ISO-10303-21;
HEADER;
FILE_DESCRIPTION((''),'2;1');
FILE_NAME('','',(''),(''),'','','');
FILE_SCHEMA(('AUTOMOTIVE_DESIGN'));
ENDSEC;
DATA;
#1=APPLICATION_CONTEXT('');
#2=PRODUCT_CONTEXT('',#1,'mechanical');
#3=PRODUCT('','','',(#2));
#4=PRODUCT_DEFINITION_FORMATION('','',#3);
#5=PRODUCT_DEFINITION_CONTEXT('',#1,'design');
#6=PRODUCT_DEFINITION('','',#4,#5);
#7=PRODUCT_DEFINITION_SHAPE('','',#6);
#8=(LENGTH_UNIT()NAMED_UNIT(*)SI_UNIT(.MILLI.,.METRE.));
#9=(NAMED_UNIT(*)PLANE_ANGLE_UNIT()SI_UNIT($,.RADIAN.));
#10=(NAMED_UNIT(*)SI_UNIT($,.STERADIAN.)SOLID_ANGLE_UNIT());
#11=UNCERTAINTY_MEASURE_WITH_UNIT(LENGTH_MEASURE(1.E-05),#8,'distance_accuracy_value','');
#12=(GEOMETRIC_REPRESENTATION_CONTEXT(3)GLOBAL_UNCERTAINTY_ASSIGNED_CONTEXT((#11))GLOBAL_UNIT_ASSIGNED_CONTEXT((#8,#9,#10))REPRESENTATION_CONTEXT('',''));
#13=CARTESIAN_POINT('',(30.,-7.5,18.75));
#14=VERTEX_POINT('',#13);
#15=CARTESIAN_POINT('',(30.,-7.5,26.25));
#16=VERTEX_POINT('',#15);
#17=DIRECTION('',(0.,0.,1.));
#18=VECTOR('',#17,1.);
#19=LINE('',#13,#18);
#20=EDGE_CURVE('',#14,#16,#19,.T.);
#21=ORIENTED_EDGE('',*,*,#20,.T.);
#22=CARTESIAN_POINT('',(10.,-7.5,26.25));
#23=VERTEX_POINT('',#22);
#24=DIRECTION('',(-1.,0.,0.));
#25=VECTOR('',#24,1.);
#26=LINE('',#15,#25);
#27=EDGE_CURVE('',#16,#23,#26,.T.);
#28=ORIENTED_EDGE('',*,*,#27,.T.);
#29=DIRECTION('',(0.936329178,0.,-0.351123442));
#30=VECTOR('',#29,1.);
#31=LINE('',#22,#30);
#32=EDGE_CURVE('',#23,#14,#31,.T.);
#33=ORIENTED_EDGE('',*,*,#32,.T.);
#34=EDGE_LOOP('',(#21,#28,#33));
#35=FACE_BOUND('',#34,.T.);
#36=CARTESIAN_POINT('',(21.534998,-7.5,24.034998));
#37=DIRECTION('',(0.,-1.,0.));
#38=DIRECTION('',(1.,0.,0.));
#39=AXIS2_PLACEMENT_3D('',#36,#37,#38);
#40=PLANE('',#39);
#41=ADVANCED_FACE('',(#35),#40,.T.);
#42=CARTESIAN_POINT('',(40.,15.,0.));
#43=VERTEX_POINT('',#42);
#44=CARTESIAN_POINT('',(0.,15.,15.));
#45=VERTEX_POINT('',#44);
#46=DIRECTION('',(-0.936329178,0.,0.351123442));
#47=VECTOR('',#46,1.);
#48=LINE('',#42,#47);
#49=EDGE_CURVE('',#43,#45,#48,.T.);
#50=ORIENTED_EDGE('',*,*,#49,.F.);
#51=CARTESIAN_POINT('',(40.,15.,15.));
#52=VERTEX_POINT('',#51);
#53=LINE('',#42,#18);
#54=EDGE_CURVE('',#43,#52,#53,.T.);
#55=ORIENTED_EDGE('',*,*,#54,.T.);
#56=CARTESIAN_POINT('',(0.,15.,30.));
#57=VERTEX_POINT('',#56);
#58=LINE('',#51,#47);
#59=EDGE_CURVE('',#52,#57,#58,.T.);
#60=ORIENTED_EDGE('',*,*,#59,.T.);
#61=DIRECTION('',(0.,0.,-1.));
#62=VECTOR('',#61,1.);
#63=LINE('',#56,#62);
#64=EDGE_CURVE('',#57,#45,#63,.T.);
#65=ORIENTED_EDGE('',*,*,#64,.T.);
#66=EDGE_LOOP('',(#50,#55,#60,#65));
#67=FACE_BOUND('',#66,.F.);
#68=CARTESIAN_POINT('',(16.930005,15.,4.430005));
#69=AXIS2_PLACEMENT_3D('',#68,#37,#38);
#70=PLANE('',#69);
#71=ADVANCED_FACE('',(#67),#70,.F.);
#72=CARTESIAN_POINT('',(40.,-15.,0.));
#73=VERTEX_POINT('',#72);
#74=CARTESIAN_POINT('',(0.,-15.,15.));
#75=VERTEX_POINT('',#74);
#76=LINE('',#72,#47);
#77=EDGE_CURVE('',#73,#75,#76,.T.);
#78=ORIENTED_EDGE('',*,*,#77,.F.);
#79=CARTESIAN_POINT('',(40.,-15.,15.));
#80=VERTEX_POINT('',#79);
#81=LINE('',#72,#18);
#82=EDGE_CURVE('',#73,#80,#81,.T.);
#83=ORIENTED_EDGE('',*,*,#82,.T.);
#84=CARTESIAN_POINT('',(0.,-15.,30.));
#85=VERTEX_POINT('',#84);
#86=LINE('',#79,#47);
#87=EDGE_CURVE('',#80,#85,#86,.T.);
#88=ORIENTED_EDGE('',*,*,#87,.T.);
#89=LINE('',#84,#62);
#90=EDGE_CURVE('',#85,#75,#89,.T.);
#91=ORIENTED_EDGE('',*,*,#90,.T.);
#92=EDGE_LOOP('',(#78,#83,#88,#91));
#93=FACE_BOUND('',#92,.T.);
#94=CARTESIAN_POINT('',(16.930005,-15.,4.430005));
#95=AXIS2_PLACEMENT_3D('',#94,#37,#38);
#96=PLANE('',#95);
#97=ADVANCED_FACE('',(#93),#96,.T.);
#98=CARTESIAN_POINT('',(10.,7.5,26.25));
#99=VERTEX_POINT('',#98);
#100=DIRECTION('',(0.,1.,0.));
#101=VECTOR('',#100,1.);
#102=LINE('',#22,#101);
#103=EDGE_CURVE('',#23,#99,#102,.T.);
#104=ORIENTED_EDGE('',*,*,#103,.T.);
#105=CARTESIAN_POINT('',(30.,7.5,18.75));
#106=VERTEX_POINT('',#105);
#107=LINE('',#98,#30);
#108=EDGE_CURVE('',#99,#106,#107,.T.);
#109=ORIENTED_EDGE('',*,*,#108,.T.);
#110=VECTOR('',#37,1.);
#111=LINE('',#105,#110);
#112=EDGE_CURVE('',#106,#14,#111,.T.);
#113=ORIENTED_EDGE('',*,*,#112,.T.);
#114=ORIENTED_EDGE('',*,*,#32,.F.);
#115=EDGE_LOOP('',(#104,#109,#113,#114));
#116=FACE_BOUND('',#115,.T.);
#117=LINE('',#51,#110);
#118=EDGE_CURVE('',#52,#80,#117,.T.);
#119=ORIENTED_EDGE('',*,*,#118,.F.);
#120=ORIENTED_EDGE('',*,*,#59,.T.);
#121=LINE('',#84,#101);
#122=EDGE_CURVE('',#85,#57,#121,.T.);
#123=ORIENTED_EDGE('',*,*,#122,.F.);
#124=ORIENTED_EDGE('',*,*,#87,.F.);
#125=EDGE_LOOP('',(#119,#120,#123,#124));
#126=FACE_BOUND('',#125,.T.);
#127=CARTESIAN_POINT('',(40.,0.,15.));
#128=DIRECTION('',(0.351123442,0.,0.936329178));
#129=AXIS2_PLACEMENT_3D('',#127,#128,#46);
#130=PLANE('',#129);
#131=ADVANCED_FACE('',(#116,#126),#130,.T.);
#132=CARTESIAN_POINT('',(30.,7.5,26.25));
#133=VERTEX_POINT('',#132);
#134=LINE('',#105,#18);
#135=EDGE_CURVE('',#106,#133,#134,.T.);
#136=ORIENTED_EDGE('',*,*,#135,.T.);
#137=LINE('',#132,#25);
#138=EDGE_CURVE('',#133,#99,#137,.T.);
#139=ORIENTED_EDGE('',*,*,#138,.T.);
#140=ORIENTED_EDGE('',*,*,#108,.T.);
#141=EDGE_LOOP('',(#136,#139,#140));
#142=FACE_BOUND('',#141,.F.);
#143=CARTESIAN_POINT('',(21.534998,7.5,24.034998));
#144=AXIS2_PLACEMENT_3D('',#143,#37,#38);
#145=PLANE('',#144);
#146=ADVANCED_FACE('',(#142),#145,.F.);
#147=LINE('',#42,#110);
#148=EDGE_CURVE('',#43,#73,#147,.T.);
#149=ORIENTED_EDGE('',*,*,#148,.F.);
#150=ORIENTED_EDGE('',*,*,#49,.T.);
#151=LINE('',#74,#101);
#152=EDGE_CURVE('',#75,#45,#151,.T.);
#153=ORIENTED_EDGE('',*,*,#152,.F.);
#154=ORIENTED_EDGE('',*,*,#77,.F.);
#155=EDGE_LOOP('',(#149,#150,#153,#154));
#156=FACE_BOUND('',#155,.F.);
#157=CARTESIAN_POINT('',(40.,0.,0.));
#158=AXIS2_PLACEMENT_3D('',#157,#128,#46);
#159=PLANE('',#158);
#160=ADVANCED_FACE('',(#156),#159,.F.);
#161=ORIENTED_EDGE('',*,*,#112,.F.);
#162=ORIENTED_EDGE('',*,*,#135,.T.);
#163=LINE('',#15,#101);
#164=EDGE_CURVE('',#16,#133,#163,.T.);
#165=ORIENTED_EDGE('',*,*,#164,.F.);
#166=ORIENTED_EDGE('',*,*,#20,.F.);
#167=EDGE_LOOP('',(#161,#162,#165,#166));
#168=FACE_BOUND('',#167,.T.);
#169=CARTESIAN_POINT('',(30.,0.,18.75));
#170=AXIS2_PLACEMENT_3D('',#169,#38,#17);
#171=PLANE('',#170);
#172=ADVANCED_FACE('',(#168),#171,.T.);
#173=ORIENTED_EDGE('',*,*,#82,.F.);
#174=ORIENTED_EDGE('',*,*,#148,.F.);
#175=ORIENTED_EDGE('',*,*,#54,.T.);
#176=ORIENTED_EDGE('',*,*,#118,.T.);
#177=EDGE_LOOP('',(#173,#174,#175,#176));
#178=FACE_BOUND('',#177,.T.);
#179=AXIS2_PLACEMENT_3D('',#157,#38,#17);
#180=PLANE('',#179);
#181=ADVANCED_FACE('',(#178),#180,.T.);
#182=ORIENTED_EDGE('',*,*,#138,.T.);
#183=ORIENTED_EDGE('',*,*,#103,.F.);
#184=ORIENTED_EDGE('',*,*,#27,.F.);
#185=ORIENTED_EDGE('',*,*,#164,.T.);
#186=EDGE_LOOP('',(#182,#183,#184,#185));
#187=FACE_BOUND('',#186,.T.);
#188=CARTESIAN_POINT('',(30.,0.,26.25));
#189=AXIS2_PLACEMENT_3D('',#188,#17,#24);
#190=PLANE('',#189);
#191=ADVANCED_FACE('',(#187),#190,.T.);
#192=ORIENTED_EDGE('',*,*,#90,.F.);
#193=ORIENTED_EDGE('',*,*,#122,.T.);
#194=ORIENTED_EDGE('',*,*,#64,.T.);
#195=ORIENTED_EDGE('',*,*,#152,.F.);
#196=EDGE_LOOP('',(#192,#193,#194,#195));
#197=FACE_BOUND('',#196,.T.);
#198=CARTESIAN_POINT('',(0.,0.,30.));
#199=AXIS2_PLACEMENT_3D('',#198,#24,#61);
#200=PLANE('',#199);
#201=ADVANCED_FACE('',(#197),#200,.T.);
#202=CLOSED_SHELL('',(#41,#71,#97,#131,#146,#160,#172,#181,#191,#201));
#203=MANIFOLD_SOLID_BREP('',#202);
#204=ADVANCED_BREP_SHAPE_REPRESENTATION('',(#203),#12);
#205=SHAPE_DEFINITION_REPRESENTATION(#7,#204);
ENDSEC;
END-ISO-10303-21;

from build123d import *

# Parameters (mm, degrees)
F1_DEPTH = 15
F2_DEPTH = 7.5
F3_DEPTH = 15


with BuildPart() as f1:
    # F0 (on Front) → F1 (new body, symmetric)
    with BuildSketch(Plane.XZ):
        Polygon((0, 15), (0, 0), (40, 0), align=None)
        Polygon((10, 18.75), (30, 18.75), (10, 26.25), align=None)
        Polygon((0, 15), (40, 0), (40, 15), (30, 18.75), (10, 18.75), (10, 26.25), (0, 30), align=None)
    extrude(amount=F1_DEPTH, both=True)

    # F0 (on Front) → F2 (join, symmetric)
    with BuildSketch(Plane.XZ):
        Polygon((10, 26.25), (30, 18.75), (30, 26.25), align=None)
    extrude(amount=F2_DEPTH, both=True)

    # F0 (on Front) → F3 (cut, symmetric)
    with BuildSketch(Plane.XZ):
        Polygon((0, 15), (0, 0), (40, 0), align=None)
    extrude(amount=F3_DEPTH, both=True, mode=Mode.SUBTRACT)


solid = f1.part
